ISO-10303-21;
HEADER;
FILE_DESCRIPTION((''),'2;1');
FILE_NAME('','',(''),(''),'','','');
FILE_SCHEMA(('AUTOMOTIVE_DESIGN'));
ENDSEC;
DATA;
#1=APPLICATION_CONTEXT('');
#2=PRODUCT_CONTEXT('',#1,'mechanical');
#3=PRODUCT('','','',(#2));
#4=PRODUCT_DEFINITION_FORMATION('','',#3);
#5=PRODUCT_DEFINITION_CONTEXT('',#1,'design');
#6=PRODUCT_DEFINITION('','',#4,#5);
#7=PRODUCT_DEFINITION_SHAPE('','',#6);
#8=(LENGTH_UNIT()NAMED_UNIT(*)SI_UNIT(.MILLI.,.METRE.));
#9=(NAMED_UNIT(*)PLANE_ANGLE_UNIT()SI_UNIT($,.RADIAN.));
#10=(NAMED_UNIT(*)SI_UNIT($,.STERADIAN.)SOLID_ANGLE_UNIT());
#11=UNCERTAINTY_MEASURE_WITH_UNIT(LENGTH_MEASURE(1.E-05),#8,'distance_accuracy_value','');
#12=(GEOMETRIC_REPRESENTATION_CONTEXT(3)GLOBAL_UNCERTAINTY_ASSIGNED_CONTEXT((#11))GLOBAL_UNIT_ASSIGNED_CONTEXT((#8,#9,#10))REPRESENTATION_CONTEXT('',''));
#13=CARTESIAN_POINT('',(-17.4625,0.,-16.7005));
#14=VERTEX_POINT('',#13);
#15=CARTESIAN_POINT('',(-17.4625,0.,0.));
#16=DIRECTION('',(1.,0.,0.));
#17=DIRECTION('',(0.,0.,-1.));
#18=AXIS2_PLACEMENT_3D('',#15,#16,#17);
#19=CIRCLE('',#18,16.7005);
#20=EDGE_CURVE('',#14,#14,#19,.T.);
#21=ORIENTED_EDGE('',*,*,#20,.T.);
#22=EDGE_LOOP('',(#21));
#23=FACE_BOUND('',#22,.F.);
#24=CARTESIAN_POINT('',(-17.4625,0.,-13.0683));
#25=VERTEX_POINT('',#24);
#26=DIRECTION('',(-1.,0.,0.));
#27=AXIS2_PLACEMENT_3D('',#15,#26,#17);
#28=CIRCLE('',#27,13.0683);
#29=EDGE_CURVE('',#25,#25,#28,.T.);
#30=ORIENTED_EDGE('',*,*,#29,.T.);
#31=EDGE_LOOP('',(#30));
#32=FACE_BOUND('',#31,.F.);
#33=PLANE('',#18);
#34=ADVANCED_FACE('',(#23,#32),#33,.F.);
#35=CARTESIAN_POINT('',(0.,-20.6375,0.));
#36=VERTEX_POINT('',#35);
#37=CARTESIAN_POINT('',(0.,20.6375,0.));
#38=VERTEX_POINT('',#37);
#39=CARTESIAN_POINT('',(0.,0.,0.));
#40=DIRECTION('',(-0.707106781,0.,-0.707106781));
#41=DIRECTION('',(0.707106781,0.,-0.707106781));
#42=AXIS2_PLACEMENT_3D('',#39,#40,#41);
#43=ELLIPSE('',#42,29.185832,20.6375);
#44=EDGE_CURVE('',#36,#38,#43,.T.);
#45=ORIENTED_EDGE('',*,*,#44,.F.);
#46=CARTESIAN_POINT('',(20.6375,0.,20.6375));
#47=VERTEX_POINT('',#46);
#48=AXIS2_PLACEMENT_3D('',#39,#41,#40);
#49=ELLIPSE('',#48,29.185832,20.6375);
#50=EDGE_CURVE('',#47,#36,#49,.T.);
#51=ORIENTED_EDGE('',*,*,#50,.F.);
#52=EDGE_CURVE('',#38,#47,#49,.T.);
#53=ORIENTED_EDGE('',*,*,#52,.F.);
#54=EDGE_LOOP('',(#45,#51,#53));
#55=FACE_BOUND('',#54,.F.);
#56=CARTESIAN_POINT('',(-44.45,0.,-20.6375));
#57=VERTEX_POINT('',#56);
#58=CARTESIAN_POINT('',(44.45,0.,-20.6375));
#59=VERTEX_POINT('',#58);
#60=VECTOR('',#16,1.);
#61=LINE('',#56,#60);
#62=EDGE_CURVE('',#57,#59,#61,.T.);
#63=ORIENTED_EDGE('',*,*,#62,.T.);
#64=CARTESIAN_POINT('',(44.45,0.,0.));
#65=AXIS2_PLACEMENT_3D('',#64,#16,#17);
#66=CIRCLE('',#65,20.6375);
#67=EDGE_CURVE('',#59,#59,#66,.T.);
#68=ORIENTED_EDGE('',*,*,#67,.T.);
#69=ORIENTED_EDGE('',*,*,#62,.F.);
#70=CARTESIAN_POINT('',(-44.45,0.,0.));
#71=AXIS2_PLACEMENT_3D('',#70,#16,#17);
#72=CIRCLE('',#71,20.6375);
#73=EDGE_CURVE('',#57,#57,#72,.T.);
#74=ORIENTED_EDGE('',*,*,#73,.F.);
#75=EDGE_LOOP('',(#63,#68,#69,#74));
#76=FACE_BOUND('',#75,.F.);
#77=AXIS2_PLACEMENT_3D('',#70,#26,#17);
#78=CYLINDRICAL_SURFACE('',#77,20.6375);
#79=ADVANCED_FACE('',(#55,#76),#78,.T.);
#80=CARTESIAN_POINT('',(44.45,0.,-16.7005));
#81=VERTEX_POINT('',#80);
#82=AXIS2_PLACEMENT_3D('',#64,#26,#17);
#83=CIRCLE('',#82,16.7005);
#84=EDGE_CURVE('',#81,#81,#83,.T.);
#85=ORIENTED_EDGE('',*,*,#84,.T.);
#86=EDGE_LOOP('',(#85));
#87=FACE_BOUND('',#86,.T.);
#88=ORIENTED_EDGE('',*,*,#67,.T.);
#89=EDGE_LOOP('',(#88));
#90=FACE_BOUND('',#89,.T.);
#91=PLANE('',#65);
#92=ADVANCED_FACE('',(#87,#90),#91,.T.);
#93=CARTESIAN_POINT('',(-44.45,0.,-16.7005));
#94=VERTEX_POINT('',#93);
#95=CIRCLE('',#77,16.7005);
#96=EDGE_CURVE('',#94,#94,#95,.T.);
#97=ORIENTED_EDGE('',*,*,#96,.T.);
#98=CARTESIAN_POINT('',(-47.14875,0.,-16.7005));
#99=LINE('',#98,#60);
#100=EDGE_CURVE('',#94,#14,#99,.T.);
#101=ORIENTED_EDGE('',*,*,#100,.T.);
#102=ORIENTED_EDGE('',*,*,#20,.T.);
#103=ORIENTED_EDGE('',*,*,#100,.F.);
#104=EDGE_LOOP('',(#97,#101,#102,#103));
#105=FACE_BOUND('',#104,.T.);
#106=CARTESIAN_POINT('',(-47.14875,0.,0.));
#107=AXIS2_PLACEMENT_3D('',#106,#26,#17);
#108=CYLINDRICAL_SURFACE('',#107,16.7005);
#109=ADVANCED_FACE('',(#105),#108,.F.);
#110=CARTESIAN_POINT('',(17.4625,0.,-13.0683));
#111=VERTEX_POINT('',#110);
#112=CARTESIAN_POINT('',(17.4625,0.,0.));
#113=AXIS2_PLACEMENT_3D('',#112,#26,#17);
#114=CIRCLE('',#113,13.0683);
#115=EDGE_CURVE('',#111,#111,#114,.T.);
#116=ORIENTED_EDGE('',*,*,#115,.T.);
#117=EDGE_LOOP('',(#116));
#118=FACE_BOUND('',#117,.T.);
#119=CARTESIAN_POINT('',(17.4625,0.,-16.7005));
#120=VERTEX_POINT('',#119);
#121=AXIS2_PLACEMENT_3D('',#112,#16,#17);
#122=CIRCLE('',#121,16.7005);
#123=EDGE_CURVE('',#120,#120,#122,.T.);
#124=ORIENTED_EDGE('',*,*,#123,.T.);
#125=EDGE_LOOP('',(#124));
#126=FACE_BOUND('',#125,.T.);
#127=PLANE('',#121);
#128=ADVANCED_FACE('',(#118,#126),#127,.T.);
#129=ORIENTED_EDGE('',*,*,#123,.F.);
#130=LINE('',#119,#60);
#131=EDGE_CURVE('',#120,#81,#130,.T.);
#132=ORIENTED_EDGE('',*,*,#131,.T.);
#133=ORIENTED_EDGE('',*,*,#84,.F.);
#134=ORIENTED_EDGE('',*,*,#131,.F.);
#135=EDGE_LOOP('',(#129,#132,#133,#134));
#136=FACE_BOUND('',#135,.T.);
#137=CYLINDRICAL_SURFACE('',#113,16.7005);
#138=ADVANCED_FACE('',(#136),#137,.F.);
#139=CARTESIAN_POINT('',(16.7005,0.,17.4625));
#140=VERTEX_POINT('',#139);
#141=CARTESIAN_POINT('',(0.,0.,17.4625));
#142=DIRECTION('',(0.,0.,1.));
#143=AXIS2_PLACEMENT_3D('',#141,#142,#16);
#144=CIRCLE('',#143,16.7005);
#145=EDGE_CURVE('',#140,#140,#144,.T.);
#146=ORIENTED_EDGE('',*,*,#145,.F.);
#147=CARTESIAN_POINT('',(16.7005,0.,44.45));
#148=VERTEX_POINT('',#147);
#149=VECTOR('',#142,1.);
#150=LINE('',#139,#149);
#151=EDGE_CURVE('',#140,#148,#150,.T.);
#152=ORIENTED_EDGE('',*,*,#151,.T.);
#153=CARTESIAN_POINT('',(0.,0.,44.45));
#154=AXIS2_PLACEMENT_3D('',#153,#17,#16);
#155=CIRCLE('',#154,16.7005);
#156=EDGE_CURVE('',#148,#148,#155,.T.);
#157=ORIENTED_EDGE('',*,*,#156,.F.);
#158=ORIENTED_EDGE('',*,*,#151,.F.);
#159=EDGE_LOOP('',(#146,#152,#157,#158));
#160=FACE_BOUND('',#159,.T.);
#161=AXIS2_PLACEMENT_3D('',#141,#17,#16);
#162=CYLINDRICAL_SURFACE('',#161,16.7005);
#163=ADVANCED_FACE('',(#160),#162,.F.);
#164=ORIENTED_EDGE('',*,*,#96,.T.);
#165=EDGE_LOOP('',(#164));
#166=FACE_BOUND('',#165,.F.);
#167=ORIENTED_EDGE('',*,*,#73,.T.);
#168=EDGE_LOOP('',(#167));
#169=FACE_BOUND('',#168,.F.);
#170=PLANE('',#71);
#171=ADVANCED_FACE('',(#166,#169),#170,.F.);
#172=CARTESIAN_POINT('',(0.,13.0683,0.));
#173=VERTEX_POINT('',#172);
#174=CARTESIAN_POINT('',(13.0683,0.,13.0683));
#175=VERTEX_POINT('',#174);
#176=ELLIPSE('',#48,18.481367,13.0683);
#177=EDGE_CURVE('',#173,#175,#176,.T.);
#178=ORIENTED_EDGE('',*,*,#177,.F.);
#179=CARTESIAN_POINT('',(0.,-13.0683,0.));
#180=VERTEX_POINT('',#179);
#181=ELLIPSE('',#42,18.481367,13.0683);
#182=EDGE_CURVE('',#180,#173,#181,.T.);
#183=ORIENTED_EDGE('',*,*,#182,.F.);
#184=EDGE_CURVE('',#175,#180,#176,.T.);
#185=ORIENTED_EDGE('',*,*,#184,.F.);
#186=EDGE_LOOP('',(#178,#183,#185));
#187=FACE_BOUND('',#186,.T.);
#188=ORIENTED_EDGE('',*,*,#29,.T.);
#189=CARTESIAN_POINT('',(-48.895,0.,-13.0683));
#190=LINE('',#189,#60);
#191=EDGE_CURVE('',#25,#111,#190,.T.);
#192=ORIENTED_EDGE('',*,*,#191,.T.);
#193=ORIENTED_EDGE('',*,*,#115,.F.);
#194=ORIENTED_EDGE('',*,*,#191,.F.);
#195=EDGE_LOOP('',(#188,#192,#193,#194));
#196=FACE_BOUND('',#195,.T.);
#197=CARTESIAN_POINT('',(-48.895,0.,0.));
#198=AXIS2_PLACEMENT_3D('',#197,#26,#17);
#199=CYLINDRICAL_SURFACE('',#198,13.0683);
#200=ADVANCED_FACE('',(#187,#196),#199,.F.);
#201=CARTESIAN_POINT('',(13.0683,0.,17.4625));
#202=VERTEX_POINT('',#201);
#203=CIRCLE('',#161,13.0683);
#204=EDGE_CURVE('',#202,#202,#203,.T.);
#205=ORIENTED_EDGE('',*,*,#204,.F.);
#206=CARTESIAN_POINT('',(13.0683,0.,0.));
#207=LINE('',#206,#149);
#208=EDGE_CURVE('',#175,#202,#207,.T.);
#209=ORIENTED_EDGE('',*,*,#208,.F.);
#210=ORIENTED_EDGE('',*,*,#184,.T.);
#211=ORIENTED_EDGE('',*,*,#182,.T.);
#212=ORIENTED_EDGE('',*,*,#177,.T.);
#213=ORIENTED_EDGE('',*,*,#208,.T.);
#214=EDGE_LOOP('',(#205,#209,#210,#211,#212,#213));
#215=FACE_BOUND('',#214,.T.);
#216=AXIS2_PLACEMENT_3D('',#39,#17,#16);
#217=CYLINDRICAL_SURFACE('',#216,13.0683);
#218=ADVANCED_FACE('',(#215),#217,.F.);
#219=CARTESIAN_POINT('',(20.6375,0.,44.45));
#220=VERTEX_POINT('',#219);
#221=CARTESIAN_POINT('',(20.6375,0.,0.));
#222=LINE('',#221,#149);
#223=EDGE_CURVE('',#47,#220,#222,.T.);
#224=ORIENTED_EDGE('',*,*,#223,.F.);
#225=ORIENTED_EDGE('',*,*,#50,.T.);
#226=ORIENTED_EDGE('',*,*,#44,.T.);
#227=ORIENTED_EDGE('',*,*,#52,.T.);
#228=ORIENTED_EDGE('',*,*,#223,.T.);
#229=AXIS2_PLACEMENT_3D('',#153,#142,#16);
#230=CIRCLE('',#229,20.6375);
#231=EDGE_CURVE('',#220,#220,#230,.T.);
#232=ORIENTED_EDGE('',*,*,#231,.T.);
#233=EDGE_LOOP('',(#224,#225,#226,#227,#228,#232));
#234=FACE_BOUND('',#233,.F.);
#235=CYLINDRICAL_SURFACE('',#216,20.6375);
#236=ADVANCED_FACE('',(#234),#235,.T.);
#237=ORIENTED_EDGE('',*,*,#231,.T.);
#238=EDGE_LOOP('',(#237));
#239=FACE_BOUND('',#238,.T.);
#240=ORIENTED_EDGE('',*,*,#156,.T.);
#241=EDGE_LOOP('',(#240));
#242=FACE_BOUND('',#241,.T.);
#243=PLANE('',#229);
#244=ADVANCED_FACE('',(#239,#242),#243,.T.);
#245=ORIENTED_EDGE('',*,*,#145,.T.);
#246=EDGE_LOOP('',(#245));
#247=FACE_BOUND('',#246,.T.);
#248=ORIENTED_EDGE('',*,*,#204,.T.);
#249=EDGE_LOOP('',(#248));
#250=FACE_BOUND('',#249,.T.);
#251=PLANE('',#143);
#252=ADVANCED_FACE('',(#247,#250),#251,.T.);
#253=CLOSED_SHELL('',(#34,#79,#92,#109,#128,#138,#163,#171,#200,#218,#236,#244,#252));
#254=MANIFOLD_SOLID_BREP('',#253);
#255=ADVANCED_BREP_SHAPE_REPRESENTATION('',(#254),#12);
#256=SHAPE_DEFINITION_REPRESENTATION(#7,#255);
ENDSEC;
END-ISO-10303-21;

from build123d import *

# Parameters (mm, degrees)
SOCKETRIGHT_R                       = 16.7005
SOCKETRIGHT_DEPTH                   = 29.68625
SOCKETRIGHT_PITCH_ANGLE             = 90
SOCKETTOP_R                         = 16.7005
SOCKETTOP_DEPTH                     = 29.68625
SOCKETLEFT_R                        = 16.7005
SOCKETLEFT_DEPTH                    = 29.68625
SOCKETLEFT_PITCH_ANGLE              = 90
HORIZONTALINNERCYNLIDER_R           = 13.0683
HORIZONTALINNERCYNLIDER_DEPTH       = 97.79
HORIZONTALINNERCYNLIDER_PITCH_ANGLE = 90
VERTICALINNERCYNLIDER_R             = 13.0683
VERTICALINNERCYNLIDER_DEPTH         = 48.895
HORIZONTALOUTERCYNLIDER_R           = 20.6375
HORIZONTALOUTERCYNLIDER_DEPTH       = 88.9
HORIZONTALOUTERCYNLIDER_PITCH_ANGLE = 90
VERTICALOUTERCYNLIDER_R             = 20.6375
VERTICALOUTERCYNLIDER_DEPTH         = 44.45


with BuildPart() as socketright:
    # SocketRight → SocketRight (new body)
    with BuildSketch(Plane.XY):
        Circle(SOCKETRIGHT_R)
    extrude(amount=SOCKETRIGHT_DEPTH)


with BuildPart() as socketright_1:
    # SocketRight pitch: moved
    add(socketright.part.rotate(Axis((0, 0, 0), (0, 1, 0)), SOCKETRIGHT_PITCH_ANGLE))


with BuildPart() as socketright_2:
    # SocketRight placement: moved
    add(socketright_1.part.moved(Location((17.4625, 0, 0))))


with BuildPart() as sockettop:
    # SocketTop → SocketTop (new body)
    with BuildSketch(Plane.XY.offset(17.4625)):
        Circle(SOCKETTOP_R)
    extrude(amount=SOCKETTOP_DEPTH)


with BuildPart() as sockets:
    # SocketLeft → SocketLeft (new body)
    with BuildSketch(Plane.XY):
        Circle(SOCKETLEFT_R)
    extrude(amount=SOCKETLEFT_DEPTH)


with BuildPart() as sockets_1:
    # SocketLeft pitch: moved
    add(sockets.part.rotate(Axis((0, 0, 0), (0, 1, 0)), SOCKETLEFT_PITCH_ANGLE))


with BuildPart() as sockets_2:
    # SocketLeft placement: moved
    add(sockets_1.part.moved(Location((-47.14875, 0, 0))))

    # Sockets: union SocketRight, SocketTop
    add(socketright_2.part)
    add(sockettop.part)


with BuildPart() as horizontalinnercynlider:
    # HorizontalInnerCynlider → HorizontalInnerCynlider (new body)
    with BuildSketch(Plane.XY):
        Circle(HORIZONTALINNERCYNLIDER_R)
    extrude(amount=HORIZONTALINNERCYNLIDER_DEPTH)


with BuildPart() as horizontalinnercynlider_1:
    # HorizontalInnerCynlider pitch: moved
    add(horizontalinnercynlider.part.rotate(Axis((0, 0, 0), (0, 1, 0)), HORIZONTALINNERCYNLIDER_PITCH_ANGLE))


with BuildPart() as horizontalinnercynlider_2:
    # HorizontalInnerCynlider placement: moved
    add(horizontalinnercynlider_1.part.moved(Location((-48.895, 0, 0))))


with BuildPart() as innerteefusion:
    # VerticalInnerCynlider → VerticalInnerCynlider (new body)
    with BuildSketch(Plane.XY):
        Circle(VERTICALINNERCYNLIDER_R)
    extrude(amount=VERTICALINNERCYNLIDER_DEPTH)

    # InnerTeeFusion: union HorizontalInnerCynlider
    add(horizontalinnercynlider_2.part)


with BuildPart() as horizontaloutercynlider:
    # HorizontalOuterCynlider → HorizontalOuterCynlider (new body)
    with BuildSketch(Plane.XY):
        Circle(HORIZONTALOUTERCYNLIDER_R)
    extrude(amount=HORIZONTALOUTERCYNLIDER_DEPTH)


with BuildPart() as horizontaloutercynlider_1:
    # HorizontalOuterCynlider pitch: moved
    add(horizontaloutercynlider.part.rotate(Axis((0, 0, 0), (0, 1, 0)), HORIZONTALOUTERCYNLIDER_PITCH_ANGLE))


with BuildPart() as horizontaloutercynlider_2:
    # HorizontalOuterCynlider placement: moved
    add(horizontaloutercynlider_1.part.moved(Location((-44.45, 0, 0))))


with BuildPart() as tee:
    # VerticalOuterCynlider → VerticalOuterCynlider (new body)
    with BuildSketch(Plane.XY):
        Circle(VERTICALOUTERCYNLIDER_R)
    extrude(amount=VERTICALOUTERCYNLIDER_DEPTH)

    # OuterTeeFusion: union HorizontalOuterCynlider
    add(horizontaloutercynlider_2.part)

    # Cut: cut InnerTeeFusion
    add(innerteefusion.part, mode=Mode.SUBTRACT)

    # Tee: cut Sockets
    add(sockets_2.part, mode=Mode.SUBTRACT)


solid = tee.part
